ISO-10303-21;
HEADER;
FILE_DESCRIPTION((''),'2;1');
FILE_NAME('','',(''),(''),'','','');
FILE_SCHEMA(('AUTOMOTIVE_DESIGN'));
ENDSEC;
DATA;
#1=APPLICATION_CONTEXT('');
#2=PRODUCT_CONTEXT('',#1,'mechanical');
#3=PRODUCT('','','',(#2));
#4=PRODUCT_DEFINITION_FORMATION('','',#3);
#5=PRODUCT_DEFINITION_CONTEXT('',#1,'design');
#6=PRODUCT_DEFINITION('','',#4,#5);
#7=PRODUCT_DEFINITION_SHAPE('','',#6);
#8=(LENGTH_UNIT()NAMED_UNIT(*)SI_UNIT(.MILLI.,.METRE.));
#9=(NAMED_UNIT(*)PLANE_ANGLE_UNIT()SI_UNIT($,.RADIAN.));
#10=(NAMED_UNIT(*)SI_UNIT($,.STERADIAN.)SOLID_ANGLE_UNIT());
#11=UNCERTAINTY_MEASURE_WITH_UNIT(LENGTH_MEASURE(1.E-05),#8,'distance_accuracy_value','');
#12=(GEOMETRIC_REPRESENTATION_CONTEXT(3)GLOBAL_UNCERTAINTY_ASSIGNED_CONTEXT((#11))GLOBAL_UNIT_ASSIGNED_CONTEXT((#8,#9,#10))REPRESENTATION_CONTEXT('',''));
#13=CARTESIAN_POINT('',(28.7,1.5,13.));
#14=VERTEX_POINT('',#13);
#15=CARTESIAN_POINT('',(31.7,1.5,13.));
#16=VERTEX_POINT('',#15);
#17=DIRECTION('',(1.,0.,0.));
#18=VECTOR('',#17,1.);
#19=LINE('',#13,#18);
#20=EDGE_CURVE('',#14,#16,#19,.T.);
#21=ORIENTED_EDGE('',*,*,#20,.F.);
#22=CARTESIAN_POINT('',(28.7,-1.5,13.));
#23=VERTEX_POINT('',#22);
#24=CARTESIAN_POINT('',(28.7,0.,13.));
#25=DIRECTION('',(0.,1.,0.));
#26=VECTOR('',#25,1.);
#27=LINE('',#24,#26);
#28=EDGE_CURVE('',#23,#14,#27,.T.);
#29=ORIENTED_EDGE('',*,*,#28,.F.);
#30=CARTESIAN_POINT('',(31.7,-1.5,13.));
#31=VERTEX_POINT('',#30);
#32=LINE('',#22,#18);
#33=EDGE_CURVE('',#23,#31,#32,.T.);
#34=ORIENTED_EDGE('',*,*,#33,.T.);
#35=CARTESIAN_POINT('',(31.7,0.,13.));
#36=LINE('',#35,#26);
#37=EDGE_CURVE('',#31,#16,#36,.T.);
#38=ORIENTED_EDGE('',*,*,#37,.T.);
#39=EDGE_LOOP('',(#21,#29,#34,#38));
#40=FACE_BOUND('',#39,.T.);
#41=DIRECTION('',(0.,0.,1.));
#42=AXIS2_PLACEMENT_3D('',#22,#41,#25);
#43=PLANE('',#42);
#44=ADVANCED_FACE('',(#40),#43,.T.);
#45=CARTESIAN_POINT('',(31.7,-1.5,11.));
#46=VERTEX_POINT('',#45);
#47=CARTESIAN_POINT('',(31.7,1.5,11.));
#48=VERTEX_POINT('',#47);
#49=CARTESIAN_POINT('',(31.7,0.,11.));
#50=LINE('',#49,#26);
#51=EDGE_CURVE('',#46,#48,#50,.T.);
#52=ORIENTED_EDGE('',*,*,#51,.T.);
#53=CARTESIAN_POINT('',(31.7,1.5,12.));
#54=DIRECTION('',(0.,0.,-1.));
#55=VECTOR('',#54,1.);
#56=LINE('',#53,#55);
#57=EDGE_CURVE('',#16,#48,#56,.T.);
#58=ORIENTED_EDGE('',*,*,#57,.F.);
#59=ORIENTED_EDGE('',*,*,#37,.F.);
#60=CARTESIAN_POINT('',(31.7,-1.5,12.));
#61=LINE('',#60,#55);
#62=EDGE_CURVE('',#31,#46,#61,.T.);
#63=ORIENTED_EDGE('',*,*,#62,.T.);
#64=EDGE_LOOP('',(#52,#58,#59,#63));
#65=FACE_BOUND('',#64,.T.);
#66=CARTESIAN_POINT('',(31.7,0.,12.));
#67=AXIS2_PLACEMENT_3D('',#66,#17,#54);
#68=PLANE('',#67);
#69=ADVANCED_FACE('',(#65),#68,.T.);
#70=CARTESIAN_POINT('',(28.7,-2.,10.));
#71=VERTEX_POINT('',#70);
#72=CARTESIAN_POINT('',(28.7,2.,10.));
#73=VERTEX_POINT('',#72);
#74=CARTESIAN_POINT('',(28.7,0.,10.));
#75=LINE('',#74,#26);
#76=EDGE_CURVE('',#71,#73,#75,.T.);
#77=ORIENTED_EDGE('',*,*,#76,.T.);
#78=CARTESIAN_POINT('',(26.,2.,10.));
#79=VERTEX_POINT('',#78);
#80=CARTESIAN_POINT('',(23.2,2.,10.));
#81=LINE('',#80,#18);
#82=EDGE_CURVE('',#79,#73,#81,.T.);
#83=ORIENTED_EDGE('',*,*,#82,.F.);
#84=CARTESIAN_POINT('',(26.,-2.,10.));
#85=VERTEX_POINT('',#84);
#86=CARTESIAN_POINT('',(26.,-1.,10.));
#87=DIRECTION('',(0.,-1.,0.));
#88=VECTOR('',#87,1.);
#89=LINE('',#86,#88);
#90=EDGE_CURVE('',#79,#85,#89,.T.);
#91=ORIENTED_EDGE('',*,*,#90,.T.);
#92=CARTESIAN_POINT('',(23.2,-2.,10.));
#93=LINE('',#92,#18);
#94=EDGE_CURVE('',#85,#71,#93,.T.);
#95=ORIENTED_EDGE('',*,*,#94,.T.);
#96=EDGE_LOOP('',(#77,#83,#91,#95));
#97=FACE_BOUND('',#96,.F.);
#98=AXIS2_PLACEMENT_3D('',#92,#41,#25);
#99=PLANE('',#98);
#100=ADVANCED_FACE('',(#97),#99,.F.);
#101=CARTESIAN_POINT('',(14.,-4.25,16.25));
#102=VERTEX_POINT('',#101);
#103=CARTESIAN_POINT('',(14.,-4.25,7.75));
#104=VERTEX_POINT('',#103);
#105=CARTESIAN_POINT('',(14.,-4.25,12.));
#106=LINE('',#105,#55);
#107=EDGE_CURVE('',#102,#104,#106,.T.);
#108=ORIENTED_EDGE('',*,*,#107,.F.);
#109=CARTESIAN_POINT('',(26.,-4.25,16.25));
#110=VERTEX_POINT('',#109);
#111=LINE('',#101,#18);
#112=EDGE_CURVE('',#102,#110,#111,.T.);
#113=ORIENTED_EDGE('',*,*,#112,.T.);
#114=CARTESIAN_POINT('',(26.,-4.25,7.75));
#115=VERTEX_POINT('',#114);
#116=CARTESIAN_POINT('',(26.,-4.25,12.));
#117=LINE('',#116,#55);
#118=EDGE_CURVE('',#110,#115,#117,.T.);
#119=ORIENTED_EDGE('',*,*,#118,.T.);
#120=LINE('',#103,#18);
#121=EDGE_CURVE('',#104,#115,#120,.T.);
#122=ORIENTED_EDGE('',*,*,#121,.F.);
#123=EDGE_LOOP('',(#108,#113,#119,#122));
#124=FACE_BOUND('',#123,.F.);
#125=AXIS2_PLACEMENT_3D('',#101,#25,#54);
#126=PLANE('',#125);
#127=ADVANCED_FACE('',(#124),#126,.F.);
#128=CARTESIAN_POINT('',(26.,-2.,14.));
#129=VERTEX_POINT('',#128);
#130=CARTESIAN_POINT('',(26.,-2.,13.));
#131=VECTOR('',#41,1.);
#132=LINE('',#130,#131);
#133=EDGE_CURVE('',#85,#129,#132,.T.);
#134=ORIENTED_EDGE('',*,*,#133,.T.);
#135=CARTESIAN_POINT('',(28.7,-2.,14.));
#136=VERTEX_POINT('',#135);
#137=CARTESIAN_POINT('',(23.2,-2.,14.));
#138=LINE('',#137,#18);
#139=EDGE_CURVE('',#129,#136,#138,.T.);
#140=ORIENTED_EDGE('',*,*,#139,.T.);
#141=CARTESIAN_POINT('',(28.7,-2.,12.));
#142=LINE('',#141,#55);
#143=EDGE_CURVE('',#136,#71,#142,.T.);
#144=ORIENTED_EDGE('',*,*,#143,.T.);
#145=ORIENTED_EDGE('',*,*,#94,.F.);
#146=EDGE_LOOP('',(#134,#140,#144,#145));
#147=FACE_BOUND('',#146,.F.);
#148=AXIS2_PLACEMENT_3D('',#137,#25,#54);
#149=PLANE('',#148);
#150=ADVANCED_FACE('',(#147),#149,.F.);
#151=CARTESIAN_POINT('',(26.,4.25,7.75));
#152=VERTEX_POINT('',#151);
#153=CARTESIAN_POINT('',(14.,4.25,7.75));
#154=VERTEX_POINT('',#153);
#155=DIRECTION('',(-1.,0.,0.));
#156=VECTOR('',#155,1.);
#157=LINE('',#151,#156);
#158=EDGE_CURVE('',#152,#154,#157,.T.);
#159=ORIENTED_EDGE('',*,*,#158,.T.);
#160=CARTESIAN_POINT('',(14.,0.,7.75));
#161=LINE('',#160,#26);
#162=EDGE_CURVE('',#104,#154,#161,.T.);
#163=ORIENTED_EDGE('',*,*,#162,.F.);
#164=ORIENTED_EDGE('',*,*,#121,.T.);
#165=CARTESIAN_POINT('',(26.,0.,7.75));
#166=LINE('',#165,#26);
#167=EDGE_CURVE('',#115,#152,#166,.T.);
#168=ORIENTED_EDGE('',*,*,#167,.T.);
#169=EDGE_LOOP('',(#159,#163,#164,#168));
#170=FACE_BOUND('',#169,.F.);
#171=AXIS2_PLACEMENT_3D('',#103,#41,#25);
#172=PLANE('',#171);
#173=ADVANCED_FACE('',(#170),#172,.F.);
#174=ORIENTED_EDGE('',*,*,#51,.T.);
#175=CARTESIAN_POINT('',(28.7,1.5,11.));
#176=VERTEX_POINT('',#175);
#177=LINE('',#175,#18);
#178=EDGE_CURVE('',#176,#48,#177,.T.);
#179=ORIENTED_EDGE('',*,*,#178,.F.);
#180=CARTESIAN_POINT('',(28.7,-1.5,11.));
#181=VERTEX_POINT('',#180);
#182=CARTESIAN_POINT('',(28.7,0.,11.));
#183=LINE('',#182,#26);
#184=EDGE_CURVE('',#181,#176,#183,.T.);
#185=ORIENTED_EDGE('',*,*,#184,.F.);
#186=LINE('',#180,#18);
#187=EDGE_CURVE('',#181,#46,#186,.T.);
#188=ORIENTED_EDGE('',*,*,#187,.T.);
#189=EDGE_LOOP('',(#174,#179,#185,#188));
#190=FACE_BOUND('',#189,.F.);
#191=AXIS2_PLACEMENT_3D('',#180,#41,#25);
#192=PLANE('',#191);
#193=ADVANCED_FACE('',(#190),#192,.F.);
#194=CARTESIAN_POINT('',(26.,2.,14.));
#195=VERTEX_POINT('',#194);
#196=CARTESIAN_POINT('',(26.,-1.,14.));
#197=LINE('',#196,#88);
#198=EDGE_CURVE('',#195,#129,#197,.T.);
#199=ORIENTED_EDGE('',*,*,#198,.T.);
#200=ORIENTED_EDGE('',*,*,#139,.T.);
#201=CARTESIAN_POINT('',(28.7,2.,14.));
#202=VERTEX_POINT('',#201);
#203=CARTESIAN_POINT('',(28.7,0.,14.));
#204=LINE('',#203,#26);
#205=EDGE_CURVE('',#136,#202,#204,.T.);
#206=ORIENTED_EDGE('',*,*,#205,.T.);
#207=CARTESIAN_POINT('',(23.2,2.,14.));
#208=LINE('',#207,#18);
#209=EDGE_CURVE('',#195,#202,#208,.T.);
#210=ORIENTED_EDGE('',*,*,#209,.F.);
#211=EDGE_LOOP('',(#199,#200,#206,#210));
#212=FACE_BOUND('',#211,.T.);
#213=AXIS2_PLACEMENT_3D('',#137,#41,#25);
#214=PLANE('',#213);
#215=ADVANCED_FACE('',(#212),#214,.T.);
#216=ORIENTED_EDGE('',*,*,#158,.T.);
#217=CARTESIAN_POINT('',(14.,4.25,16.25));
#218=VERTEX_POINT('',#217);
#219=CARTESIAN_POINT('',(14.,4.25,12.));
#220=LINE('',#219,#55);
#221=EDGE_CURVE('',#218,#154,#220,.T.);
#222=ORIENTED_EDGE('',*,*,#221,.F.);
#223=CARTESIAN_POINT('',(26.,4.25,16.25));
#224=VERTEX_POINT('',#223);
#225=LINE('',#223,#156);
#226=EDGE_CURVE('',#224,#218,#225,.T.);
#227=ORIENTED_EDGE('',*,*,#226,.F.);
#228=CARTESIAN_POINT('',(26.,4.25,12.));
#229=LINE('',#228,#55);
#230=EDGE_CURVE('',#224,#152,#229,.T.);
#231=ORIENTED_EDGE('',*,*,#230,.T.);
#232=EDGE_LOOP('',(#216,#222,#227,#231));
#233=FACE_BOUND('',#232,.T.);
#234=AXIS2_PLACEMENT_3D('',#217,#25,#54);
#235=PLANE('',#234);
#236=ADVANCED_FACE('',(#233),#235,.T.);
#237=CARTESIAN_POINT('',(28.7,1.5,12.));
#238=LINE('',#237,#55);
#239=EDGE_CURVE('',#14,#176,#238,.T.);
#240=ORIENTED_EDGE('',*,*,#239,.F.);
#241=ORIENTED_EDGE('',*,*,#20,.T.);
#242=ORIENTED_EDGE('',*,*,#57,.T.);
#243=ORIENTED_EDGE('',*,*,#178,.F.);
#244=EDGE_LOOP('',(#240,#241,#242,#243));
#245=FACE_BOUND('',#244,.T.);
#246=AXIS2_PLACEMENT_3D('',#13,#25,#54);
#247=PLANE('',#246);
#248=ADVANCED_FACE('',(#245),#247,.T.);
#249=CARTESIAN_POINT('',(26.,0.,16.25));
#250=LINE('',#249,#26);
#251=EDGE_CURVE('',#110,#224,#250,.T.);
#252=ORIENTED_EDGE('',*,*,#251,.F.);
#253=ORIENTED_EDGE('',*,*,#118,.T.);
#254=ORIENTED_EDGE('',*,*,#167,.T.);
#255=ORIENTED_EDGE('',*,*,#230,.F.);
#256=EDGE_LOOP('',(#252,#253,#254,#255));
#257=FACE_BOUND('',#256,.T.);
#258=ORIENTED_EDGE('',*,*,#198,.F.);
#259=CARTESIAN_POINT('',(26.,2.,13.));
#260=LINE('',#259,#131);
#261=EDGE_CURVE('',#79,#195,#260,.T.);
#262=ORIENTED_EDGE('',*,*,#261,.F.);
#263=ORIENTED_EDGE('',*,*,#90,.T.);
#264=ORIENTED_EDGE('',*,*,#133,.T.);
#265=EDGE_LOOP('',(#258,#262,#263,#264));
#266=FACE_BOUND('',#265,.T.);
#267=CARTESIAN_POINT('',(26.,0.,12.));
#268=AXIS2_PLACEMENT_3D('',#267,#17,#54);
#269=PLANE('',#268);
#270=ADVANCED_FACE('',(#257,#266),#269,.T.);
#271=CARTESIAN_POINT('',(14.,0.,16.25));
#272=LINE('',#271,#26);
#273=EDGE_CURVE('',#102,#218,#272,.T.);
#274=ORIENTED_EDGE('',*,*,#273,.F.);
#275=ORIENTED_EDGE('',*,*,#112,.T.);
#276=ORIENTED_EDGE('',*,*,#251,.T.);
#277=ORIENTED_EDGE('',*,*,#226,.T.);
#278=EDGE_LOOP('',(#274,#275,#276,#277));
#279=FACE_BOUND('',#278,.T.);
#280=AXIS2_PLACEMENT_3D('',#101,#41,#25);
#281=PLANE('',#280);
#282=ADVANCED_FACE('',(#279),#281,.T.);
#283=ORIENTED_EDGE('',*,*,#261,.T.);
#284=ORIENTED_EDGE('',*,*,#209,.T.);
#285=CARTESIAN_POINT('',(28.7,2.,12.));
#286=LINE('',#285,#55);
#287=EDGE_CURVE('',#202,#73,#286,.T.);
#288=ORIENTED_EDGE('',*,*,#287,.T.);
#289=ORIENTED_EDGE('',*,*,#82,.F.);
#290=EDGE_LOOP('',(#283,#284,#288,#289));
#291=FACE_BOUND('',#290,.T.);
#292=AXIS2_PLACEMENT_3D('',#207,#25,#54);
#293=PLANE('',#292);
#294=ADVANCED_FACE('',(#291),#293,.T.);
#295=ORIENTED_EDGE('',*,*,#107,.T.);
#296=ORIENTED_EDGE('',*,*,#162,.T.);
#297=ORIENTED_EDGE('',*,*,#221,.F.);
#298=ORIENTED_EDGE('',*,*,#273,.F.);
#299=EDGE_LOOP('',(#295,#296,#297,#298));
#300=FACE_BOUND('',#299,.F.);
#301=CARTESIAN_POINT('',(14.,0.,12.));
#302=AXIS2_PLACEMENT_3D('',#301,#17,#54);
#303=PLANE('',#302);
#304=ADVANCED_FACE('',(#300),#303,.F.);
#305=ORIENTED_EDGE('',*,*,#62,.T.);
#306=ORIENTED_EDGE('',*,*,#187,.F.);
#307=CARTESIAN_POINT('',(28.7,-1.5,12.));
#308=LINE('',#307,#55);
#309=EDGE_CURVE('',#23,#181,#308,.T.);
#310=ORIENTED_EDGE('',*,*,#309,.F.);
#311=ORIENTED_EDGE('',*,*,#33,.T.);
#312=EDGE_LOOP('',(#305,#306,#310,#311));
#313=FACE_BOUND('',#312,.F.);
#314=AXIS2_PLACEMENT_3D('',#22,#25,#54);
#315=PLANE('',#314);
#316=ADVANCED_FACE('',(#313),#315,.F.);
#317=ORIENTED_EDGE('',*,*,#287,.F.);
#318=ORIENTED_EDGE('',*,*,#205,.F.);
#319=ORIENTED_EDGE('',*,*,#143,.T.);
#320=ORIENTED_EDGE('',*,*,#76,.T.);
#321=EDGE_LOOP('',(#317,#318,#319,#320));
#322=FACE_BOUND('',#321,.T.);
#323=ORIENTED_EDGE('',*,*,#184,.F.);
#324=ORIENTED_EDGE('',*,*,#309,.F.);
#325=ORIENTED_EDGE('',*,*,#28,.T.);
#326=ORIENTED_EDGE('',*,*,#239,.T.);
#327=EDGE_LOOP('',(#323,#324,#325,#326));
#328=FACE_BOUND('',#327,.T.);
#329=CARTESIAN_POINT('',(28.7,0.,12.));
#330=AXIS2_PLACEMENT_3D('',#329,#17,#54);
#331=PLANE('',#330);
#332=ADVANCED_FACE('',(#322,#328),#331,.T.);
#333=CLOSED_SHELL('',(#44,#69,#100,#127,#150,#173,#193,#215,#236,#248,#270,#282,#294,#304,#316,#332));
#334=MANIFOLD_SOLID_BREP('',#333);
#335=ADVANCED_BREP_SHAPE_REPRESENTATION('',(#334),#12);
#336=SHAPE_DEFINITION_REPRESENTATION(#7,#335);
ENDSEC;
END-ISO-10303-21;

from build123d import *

# Parameters (mm, degrees)
BOX075_W                = 4
BOX075_H                = 4
BOX075_DEPTH            = 5.5
BOX076_W                = 8.5
BOX076_H                = 8.5
BOX076_DEPTH            = 3.5
BOX078_W                = 2
BOX078_H                = 3
BOX078_DEPTH            = 3
BOX074_W                = 8.5
BOX074_H                = 8.5
BOX074_DEPTH            = 8.5
BODY004_PLACEMENT_ANGLE = 90


with BuildPart() as plunger:
    # Box075 → Box075 (new body)
    with BuildSketch(Plane(origin=(-2, -2, 5.7), x_dir=(1, 0, 0), z_dir=(0, 0, 1))):
        with Locations((2, 2)):
            Rectangle(BOX075_W, BOX075_H)
    extrude(amount=BOX075_DEPTH)


with BuildPart() as pins:
    # Box076 → Box076 (new body)
    with BuildSketch(Plane(origin=(-4.25, -4.25, -3.5), x_dir=(1, 0, 0), z_dir=(0, 0, 1))):
        with Locations((4.25, 4.25)):
            Rectangle(BOX076_W, BOX076_H)
    extrude(amount=BOX076_DEPTH)


with BuildPart() as plunger001:
    # Box078 → Box078 (new body)
    with BuildSketch(Plane(origin=(-1, -1.5, 11.2), x_dir=(1, 0, 0), z_dir=(0, 0, 1))):
        with Locations((1, 1.5)):
            Rectangle(BOX078_W, BOX078_H)
    extrude(amount=BOX078_DEPTH)


with BuildPart() as switch:
    # Box074 → Box074 (new body)
    with BuildSketch(Plane(origin=(-4.25, -4.25, 0), x_dir=(1, 0, 0), z_dir=(0, 0, 1))):
        with Locations((4.25, 4.25)):
            Rectangle(BOX074_W, BOX074_H)
    extrude(amount=BOX074_DEPTH)

    # Fusion024: union plunger, pins, plunger001
    add(plunger.part)
    add(pins.part)
    add(plunger001.part)


with BuildPart() as switch_1:
    # Body004 placement: moved
    add(switch.part.moved(Location((17.5, 0, 12))).rotate(Axis((17.5, 0, 12), (0, 1, 0)), BODY004_PLACEMENT_ANGLE))


solid = switch_1.part
